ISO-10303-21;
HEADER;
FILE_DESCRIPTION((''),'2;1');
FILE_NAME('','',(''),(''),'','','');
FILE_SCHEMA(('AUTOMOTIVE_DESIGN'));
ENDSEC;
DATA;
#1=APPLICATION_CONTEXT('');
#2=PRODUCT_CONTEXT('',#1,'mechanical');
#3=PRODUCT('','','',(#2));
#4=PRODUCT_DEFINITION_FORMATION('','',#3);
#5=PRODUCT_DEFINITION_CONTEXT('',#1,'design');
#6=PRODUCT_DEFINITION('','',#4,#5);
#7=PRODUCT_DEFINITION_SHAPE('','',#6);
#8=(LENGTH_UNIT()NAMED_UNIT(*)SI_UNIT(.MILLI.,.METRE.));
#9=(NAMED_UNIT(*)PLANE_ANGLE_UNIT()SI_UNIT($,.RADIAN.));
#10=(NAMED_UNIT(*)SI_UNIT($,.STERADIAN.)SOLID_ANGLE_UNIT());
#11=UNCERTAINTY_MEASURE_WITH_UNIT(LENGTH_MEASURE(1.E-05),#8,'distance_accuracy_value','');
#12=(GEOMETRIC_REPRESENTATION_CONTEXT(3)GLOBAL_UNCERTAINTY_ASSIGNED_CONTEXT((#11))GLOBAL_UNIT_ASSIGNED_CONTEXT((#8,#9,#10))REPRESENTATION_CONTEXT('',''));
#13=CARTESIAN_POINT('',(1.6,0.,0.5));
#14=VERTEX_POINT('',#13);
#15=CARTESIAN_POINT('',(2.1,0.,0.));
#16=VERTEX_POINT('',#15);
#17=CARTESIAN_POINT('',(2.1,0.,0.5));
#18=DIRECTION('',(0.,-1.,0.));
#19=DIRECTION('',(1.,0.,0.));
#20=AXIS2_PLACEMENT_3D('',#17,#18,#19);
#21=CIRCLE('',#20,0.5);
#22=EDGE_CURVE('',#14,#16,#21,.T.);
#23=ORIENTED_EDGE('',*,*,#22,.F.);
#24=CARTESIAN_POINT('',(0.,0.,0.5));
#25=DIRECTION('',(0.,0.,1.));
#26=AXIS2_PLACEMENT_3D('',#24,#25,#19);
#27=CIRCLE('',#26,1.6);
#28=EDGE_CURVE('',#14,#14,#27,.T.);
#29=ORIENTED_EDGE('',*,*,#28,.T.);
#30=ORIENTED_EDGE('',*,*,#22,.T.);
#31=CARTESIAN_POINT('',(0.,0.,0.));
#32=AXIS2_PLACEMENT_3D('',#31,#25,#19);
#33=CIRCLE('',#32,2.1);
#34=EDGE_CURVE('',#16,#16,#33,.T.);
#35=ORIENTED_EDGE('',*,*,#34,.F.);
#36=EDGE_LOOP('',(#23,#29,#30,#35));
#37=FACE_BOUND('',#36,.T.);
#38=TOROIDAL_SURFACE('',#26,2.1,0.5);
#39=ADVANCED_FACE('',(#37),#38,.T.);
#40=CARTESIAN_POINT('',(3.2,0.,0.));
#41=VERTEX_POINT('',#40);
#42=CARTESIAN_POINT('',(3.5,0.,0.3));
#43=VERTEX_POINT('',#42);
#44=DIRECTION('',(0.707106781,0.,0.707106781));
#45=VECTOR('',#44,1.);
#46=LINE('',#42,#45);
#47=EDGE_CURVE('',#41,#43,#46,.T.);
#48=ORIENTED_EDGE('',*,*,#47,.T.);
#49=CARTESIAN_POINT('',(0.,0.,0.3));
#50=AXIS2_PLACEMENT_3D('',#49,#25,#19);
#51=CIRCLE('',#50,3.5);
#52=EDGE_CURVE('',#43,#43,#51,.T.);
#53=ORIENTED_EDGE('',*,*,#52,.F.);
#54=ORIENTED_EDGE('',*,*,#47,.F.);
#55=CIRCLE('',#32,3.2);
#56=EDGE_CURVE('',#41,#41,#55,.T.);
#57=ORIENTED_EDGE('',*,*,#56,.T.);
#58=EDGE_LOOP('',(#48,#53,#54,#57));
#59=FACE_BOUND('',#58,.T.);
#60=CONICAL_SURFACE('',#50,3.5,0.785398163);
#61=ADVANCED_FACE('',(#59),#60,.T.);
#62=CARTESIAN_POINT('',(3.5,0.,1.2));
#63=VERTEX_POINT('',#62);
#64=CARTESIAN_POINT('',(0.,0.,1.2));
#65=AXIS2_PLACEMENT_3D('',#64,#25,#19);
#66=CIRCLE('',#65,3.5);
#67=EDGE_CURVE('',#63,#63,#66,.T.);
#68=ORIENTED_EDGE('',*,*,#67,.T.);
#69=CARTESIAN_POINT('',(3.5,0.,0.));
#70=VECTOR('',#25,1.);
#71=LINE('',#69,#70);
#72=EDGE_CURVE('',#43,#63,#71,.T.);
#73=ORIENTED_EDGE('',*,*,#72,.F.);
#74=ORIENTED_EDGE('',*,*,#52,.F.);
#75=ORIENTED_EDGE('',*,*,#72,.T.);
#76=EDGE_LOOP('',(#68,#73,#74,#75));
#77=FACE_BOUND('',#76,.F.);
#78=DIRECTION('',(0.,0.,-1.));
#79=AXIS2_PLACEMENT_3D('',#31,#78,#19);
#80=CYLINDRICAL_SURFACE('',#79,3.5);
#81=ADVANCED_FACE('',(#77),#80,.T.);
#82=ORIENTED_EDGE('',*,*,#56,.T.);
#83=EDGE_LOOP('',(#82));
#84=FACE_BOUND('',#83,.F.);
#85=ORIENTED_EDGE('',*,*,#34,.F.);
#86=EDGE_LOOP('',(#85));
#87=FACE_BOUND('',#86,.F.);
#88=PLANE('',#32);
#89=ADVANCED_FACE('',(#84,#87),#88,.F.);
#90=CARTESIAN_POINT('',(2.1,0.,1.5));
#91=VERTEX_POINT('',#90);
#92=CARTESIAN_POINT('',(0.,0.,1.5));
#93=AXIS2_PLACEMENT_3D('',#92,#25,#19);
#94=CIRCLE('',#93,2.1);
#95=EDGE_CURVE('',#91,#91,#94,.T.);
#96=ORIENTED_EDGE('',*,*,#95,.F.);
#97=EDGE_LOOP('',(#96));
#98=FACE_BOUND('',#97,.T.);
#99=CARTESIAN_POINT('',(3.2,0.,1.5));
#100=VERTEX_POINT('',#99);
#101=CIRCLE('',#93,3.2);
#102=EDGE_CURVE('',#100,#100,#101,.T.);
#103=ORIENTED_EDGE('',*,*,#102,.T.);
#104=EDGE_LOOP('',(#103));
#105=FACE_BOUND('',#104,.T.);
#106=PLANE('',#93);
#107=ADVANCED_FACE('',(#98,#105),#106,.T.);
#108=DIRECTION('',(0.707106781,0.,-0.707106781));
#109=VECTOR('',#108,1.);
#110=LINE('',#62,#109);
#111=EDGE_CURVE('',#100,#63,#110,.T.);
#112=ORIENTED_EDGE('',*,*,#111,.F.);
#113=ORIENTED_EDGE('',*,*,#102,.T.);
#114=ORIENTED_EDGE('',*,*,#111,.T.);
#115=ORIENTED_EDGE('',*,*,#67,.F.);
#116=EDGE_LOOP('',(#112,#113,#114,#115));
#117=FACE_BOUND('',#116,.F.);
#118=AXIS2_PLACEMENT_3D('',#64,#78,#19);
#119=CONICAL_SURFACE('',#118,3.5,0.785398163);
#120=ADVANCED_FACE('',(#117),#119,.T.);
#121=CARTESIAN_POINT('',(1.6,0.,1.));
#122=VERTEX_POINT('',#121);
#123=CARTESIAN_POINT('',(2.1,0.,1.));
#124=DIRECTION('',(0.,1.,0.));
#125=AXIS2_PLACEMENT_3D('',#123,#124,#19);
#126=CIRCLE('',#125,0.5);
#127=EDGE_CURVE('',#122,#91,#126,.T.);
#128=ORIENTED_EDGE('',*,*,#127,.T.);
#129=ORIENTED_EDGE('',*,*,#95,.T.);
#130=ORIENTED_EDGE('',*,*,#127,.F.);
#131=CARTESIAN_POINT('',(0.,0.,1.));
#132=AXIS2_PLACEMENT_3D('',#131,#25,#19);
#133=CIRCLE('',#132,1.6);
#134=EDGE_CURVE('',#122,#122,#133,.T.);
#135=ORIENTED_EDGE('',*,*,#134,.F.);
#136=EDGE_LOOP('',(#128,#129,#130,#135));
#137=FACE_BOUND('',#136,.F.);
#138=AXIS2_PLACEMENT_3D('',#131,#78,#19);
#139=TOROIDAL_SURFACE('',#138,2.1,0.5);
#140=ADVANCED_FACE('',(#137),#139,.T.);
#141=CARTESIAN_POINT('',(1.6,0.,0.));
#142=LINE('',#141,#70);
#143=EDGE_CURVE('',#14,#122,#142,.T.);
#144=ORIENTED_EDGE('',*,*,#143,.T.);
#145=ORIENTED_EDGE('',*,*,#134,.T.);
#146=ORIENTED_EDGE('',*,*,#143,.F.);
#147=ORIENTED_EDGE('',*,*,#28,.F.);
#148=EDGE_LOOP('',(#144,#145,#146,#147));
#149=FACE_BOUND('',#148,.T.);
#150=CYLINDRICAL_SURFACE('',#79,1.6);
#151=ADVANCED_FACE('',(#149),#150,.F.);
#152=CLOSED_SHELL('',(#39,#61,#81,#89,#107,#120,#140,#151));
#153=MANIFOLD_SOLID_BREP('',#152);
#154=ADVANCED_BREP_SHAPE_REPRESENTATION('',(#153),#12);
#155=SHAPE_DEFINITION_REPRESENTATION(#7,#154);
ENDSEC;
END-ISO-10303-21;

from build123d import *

# Parameters (mm, degrees)
F0_R     = 3.5
F0_R_2   = 1.6
F1_DEPTH = 1.5
F2_R     = 0.5
F3_SIZE  = 0.3


with BuildPart() as f1:
    # F0 (on Top) → F1 (new body)
    with BuildSketch(Plane.XY):
        Circle(F0_R)
        Circle(F0_R_2, mode=Mode.SUBTRACT)
    extrude(amount=F1_DEPTH)

    # F2
    f2_edges = [f1.edges().sort_by_distance(p)[0] for p in [
        (1.6, 0, 0.75),
        (-1.6, 0, 0),
        (-1.6, 0, 1.5),
    ]]
    fillet(f2_edges, radius=F2_R)

    # F3
    f3_edges = [f1.edges().sort_by_distance(p)[0] for p in [
        (3.5, 0, 0.75),
        (-3.5, 0, 0),
        (-3.5, 0, 1.5),
    ]]
    chamfer(f3_edges, length=F3_SIZE)


solid = f1.part
